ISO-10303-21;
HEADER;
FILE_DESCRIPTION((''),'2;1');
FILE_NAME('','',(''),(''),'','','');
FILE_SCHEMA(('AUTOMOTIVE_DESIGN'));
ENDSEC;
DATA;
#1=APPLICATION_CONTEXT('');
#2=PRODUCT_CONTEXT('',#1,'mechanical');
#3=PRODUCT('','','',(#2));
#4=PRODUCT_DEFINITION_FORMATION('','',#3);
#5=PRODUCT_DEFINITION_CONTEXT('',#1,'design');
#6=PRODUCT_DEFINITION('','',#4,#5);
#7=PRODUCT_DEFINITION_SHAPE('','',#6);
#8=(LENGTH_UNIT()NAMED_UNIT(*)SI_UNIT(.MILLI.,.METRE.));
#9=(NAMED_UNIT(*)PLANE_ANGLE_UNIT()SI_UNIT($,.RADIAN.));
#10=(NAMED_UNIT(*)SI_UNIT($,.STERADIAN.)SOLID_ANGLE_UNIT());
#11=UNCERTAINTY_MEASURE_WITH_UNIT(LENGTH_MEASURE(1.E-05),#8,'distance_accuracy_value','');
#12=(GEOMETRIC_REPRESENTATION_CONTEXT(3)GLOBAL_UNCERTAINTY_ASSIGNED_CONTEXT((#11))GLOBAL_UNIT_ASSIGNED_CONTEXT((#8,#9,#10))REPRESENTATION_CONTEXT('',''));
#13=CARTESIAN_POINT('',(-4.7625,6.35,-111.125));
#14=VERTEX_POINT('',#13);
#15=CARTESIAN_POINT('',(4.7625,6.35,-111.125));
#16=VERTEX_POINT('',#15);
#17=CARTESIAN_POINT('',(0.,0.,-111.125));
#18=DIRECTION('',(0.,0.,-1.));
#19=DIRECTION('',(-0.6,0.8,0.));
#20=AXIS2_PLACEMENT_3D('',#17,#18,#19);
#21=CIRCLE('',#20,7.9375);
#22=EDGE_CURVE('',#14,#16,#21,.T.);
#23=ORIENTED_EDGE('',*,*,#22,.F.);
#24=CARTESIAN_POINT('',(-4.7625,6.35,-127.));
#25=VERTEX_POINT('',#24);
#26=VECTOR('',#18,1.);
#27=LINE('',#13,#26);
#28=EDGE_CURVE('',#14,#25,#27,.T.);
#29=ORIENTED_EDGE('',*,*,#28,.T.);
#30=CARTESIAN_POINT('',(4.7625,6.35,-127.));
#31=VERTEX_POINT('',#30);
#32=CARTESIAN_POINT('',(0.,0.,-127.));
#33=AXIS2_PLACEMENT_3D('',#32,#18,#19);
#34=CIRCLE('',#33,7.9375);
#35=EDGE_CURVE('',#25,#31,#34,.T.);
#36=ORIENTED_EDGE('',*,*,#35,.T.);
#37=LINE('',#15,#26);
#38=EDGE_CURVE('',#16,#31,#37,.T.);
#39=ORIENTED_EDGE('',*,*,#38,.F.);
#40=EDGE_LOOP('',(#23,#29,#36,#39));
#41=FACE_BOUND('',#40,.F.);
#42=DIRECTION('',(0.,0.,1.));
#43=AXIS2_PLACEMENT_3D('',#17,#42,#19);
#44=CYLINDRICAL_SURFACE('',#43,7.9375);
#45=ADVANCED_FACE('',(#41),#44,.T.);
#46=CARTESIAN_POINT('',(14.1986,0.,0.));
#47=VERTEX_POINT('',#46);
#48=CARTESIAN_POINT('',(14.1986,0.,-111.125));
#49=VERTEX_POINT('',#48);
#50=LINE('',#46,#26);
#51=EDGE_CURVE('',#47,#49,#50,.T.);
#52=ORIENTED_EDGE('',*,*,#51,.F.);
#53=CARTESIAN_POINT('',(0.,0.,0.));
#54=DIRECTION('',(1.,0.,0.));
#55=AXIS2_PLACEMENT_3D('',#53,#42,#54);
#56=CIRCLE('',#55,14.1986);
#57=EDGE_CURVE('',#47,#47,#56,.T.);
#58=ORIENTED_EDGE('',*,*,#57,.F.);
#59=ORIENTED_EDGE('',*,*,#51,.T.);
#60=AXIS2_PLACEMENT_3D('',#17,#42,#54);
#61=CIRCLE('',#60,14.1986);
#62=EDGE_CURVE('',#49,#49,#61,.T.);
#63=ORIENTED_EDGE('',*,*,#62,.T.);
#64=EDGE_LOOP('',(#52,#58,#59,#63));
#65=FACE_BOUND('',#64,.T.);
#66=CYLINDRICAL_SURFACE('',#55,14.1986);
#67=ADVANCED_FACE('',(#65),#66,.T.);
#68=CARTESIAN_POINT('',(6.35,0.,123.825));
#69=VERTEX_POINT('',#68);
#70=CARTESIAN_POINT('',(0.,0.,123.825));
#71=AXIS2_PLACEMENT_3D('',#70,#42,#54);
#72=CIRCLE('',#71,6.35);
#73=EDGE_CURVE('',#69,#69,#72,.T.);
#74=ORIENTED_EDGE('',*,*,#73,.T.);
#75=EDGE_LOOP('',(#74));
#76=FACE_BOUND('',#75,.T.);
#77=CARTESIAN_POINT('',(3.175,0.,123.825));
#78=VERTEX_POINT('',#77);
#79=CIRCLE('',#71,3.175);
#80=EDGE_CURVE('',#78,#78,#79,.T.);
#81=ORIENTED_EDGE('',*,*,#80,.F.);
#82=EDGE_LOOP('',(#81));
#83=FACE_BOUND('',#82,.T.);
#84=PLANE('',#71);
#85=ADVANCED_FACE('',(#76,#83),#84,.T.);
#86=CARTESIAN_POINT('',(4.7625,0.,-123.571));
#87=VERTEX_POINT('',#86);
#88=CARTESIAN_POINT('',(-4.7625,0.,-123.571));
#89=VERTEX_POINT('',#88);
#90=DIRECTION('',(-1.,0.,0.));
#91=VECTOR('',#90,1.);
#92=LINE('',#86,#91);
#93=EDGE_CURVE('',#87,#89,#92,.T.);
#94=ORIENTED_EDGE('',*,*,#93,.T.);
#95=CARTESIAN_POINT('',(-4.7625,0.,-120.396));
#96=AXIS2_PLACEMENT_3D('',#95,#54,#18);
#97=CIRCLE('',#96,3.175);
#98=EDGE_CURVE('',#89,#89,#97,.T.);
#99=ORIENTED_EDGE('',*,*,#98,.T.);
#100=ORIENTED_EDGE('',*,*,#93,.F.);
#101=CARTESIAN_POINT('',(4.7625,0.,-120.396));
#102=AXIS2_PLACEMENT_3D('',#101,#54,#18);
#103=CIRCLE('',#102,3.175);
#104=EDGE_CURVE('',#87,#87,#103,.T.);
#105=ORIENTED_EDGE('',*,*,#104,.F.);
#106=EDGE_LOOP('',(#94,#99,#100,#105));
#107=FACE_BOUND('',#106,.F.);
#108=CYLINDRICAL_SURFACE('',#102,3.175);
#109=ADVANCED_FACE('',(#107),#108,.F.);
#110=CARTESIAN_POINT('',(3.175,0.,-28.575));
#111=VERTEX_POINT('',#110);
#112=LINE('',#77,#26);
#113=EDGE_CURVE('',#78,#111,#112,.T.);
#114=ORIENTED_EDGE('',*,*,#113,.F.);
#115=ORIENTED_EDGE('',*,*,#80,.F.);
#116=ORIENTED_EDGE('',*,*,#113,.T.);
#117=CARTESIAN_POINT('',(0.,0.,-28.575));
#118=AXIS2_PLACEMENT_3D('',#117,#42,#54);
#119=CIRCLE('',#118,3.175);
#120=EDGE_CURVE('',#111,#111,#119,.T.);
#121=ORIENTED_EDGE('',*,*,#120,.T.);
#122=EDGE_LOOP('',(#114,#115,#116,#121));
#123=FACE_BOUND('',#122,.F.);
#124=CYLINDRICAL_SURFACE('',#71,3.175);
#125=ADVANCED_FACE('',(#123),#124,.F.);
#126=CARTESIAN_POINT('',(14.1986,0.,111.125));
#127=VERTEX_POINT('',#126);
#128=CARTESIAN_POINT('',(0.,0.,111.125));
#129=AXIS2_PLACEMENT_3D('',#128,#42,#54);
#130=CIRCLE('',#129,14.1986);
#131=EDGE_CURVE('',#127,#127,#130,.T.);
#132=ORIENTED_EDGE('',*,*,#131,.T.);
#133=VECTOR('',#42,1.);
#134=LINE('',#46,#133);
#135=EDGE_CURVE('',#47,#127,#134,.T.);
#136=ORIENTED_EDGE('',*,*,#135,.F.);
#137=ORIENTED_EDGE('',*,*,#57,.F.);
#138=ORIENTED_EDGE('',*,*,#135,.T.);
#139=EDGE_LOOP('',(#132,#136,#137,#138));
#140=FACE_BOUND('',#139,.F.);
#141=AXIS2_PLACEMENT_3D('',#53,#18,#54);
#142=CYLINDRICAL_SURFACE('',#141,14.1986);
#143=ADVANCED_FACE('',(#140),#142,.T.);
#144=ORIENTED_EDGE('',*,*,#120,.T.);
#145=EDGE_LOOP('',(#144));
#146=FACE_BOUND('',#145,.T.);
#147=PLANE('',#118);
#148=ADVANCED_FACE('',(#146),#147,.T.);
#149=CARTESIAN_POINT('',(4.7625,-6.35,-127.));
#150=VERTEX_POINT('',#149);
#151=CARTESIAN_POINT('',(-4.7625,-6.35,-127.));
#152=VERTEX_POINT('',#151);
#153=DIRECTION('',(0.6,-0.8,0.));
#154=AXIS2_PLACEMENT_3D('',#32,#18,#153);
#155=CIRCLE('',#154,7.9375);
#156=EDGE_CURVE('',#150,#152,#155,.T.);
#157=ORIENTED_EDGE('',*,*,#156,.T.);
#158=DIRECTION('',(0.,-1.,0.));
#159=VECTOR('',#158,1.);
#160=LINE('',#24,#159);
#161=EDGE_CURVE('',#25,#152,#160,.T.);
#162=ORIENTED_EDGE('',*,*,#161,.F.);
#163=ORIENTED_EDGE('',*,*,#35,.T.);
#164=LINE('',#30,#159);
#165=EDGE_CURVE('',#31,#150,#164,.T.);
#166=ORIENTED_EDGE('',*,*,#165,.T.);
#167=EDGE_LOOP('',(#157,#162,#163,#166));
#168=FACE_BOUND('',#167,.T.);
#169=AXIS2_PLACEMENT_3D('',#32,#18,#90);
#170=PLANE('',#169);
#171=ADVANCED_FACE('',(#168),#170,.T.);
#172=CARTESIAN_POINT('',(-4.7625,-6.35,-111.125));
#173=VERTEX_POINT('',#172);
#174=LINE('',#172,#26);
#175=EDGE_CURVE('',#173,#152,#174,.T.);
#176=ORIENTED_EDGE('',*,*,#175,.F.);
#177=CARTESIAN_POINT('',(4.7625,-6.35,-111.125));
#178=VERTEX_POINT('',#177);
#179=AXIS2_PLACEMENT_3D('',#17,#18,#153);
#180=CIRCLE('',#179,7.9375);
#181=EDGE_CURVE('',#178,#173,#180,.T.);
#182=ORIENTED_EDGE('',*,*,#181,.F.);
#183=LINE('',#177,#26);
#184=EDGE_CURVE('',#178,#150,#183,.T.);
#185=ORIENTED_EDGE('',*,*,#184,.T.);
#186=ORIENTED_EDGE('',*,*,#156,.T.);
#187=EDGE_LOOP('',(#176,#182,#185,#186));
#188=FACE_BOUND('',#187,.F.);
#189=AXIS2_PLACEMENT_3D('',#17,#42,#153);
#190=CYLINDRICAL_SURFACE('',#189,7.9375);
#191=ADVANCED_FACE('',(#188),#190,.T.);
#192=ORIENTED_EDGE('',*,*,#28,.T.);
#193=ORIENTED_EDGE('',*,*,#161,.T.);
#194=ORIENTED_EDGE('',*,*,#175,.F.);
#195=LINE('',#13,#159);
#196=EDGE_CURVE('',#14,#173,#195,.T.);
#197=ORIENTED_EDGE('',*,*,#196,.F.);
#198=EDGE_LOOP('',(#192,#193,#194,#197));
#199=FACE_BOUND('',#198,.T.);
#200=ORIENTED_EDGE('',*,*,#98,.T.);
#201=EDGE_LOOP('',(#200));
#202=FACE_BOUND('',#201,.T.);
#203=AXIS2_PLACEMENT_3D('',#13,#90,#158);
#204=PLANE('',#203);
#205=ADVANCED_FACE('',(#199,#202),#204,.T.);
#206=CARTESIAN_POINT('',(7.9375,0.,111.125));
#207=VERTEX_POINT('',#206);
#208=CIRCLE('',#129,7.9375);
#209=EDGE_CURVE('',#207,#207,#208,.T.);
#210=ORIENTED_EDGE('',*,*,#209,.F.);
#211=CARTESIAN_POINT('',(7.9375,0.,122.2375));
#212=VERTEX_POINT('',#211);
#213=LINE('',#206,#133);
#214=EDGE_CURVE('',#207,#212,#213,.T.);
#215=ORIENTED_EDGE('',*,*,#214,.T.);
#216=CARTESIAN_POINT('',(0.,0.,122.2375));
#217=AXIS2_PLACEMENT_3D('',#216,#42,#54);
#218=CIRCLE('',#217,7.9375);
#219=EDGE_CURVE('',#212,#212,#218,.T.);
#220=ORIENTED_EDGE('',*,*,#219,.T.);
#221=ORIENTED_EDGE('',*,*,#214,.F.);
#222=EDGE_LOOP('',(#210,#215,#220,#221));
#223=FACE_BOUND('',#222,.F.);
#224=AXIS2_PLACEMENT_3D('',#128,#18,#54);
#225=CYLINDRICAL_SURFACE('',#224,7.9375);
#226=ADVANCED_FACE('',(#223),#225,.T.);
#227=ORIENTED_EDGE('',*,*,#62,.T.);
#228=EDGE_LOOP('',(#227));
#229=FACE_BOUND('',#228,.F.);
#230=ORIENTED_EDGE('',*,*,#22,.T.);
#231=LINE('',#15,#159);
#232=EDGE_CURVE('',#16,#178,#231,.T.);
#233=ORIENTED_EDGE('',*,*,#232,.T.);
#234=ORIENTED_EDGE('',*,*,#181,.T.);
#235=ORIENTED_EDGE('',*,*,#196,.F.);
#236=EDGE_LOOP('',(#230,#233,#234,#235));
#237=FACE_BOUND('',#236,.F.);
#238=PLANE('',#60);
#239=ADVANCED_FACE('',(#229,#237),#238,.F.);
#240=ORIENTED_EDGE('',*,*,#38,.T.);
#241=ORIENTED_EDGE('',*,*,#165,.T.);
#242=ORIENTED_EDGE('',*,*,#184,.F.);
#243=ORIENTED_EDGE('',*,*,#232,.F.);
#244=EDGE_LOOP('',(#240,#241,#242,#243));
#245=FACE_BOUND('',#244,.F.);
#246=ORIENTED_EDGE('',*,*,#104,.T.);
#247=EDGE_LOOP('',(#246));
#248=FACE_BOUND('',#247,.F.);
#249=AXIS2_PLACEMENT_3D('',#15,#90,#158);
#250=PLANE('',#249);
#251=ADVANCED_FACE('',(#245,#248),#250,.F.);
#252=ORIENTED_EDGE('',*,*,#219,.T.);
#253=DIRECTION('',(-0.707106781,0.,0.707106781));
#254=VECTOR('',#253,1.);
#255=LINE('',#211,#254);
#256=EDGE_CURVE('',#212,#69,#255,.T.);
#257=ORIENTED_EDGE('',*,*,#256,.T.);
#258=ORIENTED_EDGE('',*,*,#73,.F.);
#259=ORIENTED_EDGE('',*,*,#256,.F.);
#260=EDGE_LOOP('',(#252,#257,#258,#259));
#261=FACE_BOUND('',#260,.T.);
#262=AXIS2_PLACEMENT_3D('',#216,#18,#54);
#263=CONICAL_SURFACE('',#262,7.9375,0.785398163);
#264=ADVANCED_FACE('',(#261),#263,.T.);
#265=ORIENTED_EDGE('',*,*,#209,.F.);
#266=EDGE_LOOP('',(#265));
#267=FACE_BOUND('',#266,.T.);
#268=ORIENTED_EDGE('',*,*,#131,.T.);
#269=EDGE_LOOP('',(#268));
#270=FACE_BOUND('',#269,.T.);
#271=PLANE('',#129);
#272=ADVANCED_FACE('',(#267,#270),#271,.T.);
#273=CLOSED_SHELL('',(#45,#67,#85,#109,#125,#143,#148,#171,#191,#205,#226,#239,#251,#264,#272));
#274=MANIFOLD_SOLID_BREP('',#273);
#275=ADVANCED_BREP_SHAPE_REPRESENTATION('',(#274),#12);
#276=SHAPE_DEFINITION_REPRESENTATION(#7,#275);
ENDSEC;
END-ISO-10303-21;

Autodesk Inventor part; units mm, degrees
ref_plane "YZ Plane" through (0, 0, 0) normal (1, 0, 0) x (0, 1, 0)
ref_plane "XZ Plane" through (0, 0, 0) normal (0, 1, 0) x (-1, 0, 0)
ref_plane "XY Plane" through (0, 0, 0) normal (0, 0, 1) x (1, 0, 0)
sketch "Sketch1" plane through (0, 0, 0) normal (0, 0, 1) x (1, 0, 0)
  circle A0 centre (0, 0) radius 14.1986
  dimension "d0" = 28.3972
extrude "Extrusion1" add sketch "Sketch1" along normal mid plane 222.25
sketch "Sketch2" plane through (0, 0, -111.125) normal (0, 0, -1) x (-1, 0, 0)
  arc A0 (4.7625, 6.35) -> (-4.7625, 6.35) centre (0, 0) ccw
  arc A1 (-4.7625, -6.35) -> (4.7625, -6.35) centre (0, 0) ccw
  line L0 (-4.7625, 6.35) -> (-4.7625, -6.35)
  line L1 (4.7625, 6.35) -> (4.7625, -6.35)
  line L2 (4.7625, 0) -> (-4.7625, 0) construction
  dimension "d3" = 9.525
  dimension "d4" = 7.9375
extrude "Extrusion2" add sketch "Sketch2" along normal blind 15.875
sketch "Sketch3" plane through (4.7625, -6.35, -111.125) normal (1, 0, 0) x (0, 0, -1)
  line L0 (15.875, 12.7) -> (15.875, 0) construction
  line L1 (15.875, 6.35) -> (0, 6.35) construction
  line L2 (0, -7.8486) -> (0, 20.5486) construction
  circle A0 centre (9.271, 6.35) radius 3.175
  point P0 (-111.125, 6.35)
  dimension "d7" = 6.604
  dimension "d8" = 6.35
extrude "Extrusion3" cut sketch "Sketch3" against normal through all
sketch "Sketch4" plane through (0, 0, 111.125) normal (0, 0, 1) x (1, 0, 0)
  circle A0 centre (0, 0) radius 7.9375
  dimension "d11" = 15.875
extrude "Extrusion4" add sketch "Sketch4" along normal blind 12.7
chamfer "Chamfer1" distance 1.5875 angle 45 1 edges at (-7.9375, 0, 123.825)
sketch "Sketch5" plane through (0, 0, 123.825) normal (0, 0, 1) x (1, 0, 0)
  circle A0 centre (0, 0) radius 3.175
  dimension "d17" = 6.35
extrude "Extrusion5" cut sketch "Sketch5" against normal blind 152.4
properties part number "cylinder body"
